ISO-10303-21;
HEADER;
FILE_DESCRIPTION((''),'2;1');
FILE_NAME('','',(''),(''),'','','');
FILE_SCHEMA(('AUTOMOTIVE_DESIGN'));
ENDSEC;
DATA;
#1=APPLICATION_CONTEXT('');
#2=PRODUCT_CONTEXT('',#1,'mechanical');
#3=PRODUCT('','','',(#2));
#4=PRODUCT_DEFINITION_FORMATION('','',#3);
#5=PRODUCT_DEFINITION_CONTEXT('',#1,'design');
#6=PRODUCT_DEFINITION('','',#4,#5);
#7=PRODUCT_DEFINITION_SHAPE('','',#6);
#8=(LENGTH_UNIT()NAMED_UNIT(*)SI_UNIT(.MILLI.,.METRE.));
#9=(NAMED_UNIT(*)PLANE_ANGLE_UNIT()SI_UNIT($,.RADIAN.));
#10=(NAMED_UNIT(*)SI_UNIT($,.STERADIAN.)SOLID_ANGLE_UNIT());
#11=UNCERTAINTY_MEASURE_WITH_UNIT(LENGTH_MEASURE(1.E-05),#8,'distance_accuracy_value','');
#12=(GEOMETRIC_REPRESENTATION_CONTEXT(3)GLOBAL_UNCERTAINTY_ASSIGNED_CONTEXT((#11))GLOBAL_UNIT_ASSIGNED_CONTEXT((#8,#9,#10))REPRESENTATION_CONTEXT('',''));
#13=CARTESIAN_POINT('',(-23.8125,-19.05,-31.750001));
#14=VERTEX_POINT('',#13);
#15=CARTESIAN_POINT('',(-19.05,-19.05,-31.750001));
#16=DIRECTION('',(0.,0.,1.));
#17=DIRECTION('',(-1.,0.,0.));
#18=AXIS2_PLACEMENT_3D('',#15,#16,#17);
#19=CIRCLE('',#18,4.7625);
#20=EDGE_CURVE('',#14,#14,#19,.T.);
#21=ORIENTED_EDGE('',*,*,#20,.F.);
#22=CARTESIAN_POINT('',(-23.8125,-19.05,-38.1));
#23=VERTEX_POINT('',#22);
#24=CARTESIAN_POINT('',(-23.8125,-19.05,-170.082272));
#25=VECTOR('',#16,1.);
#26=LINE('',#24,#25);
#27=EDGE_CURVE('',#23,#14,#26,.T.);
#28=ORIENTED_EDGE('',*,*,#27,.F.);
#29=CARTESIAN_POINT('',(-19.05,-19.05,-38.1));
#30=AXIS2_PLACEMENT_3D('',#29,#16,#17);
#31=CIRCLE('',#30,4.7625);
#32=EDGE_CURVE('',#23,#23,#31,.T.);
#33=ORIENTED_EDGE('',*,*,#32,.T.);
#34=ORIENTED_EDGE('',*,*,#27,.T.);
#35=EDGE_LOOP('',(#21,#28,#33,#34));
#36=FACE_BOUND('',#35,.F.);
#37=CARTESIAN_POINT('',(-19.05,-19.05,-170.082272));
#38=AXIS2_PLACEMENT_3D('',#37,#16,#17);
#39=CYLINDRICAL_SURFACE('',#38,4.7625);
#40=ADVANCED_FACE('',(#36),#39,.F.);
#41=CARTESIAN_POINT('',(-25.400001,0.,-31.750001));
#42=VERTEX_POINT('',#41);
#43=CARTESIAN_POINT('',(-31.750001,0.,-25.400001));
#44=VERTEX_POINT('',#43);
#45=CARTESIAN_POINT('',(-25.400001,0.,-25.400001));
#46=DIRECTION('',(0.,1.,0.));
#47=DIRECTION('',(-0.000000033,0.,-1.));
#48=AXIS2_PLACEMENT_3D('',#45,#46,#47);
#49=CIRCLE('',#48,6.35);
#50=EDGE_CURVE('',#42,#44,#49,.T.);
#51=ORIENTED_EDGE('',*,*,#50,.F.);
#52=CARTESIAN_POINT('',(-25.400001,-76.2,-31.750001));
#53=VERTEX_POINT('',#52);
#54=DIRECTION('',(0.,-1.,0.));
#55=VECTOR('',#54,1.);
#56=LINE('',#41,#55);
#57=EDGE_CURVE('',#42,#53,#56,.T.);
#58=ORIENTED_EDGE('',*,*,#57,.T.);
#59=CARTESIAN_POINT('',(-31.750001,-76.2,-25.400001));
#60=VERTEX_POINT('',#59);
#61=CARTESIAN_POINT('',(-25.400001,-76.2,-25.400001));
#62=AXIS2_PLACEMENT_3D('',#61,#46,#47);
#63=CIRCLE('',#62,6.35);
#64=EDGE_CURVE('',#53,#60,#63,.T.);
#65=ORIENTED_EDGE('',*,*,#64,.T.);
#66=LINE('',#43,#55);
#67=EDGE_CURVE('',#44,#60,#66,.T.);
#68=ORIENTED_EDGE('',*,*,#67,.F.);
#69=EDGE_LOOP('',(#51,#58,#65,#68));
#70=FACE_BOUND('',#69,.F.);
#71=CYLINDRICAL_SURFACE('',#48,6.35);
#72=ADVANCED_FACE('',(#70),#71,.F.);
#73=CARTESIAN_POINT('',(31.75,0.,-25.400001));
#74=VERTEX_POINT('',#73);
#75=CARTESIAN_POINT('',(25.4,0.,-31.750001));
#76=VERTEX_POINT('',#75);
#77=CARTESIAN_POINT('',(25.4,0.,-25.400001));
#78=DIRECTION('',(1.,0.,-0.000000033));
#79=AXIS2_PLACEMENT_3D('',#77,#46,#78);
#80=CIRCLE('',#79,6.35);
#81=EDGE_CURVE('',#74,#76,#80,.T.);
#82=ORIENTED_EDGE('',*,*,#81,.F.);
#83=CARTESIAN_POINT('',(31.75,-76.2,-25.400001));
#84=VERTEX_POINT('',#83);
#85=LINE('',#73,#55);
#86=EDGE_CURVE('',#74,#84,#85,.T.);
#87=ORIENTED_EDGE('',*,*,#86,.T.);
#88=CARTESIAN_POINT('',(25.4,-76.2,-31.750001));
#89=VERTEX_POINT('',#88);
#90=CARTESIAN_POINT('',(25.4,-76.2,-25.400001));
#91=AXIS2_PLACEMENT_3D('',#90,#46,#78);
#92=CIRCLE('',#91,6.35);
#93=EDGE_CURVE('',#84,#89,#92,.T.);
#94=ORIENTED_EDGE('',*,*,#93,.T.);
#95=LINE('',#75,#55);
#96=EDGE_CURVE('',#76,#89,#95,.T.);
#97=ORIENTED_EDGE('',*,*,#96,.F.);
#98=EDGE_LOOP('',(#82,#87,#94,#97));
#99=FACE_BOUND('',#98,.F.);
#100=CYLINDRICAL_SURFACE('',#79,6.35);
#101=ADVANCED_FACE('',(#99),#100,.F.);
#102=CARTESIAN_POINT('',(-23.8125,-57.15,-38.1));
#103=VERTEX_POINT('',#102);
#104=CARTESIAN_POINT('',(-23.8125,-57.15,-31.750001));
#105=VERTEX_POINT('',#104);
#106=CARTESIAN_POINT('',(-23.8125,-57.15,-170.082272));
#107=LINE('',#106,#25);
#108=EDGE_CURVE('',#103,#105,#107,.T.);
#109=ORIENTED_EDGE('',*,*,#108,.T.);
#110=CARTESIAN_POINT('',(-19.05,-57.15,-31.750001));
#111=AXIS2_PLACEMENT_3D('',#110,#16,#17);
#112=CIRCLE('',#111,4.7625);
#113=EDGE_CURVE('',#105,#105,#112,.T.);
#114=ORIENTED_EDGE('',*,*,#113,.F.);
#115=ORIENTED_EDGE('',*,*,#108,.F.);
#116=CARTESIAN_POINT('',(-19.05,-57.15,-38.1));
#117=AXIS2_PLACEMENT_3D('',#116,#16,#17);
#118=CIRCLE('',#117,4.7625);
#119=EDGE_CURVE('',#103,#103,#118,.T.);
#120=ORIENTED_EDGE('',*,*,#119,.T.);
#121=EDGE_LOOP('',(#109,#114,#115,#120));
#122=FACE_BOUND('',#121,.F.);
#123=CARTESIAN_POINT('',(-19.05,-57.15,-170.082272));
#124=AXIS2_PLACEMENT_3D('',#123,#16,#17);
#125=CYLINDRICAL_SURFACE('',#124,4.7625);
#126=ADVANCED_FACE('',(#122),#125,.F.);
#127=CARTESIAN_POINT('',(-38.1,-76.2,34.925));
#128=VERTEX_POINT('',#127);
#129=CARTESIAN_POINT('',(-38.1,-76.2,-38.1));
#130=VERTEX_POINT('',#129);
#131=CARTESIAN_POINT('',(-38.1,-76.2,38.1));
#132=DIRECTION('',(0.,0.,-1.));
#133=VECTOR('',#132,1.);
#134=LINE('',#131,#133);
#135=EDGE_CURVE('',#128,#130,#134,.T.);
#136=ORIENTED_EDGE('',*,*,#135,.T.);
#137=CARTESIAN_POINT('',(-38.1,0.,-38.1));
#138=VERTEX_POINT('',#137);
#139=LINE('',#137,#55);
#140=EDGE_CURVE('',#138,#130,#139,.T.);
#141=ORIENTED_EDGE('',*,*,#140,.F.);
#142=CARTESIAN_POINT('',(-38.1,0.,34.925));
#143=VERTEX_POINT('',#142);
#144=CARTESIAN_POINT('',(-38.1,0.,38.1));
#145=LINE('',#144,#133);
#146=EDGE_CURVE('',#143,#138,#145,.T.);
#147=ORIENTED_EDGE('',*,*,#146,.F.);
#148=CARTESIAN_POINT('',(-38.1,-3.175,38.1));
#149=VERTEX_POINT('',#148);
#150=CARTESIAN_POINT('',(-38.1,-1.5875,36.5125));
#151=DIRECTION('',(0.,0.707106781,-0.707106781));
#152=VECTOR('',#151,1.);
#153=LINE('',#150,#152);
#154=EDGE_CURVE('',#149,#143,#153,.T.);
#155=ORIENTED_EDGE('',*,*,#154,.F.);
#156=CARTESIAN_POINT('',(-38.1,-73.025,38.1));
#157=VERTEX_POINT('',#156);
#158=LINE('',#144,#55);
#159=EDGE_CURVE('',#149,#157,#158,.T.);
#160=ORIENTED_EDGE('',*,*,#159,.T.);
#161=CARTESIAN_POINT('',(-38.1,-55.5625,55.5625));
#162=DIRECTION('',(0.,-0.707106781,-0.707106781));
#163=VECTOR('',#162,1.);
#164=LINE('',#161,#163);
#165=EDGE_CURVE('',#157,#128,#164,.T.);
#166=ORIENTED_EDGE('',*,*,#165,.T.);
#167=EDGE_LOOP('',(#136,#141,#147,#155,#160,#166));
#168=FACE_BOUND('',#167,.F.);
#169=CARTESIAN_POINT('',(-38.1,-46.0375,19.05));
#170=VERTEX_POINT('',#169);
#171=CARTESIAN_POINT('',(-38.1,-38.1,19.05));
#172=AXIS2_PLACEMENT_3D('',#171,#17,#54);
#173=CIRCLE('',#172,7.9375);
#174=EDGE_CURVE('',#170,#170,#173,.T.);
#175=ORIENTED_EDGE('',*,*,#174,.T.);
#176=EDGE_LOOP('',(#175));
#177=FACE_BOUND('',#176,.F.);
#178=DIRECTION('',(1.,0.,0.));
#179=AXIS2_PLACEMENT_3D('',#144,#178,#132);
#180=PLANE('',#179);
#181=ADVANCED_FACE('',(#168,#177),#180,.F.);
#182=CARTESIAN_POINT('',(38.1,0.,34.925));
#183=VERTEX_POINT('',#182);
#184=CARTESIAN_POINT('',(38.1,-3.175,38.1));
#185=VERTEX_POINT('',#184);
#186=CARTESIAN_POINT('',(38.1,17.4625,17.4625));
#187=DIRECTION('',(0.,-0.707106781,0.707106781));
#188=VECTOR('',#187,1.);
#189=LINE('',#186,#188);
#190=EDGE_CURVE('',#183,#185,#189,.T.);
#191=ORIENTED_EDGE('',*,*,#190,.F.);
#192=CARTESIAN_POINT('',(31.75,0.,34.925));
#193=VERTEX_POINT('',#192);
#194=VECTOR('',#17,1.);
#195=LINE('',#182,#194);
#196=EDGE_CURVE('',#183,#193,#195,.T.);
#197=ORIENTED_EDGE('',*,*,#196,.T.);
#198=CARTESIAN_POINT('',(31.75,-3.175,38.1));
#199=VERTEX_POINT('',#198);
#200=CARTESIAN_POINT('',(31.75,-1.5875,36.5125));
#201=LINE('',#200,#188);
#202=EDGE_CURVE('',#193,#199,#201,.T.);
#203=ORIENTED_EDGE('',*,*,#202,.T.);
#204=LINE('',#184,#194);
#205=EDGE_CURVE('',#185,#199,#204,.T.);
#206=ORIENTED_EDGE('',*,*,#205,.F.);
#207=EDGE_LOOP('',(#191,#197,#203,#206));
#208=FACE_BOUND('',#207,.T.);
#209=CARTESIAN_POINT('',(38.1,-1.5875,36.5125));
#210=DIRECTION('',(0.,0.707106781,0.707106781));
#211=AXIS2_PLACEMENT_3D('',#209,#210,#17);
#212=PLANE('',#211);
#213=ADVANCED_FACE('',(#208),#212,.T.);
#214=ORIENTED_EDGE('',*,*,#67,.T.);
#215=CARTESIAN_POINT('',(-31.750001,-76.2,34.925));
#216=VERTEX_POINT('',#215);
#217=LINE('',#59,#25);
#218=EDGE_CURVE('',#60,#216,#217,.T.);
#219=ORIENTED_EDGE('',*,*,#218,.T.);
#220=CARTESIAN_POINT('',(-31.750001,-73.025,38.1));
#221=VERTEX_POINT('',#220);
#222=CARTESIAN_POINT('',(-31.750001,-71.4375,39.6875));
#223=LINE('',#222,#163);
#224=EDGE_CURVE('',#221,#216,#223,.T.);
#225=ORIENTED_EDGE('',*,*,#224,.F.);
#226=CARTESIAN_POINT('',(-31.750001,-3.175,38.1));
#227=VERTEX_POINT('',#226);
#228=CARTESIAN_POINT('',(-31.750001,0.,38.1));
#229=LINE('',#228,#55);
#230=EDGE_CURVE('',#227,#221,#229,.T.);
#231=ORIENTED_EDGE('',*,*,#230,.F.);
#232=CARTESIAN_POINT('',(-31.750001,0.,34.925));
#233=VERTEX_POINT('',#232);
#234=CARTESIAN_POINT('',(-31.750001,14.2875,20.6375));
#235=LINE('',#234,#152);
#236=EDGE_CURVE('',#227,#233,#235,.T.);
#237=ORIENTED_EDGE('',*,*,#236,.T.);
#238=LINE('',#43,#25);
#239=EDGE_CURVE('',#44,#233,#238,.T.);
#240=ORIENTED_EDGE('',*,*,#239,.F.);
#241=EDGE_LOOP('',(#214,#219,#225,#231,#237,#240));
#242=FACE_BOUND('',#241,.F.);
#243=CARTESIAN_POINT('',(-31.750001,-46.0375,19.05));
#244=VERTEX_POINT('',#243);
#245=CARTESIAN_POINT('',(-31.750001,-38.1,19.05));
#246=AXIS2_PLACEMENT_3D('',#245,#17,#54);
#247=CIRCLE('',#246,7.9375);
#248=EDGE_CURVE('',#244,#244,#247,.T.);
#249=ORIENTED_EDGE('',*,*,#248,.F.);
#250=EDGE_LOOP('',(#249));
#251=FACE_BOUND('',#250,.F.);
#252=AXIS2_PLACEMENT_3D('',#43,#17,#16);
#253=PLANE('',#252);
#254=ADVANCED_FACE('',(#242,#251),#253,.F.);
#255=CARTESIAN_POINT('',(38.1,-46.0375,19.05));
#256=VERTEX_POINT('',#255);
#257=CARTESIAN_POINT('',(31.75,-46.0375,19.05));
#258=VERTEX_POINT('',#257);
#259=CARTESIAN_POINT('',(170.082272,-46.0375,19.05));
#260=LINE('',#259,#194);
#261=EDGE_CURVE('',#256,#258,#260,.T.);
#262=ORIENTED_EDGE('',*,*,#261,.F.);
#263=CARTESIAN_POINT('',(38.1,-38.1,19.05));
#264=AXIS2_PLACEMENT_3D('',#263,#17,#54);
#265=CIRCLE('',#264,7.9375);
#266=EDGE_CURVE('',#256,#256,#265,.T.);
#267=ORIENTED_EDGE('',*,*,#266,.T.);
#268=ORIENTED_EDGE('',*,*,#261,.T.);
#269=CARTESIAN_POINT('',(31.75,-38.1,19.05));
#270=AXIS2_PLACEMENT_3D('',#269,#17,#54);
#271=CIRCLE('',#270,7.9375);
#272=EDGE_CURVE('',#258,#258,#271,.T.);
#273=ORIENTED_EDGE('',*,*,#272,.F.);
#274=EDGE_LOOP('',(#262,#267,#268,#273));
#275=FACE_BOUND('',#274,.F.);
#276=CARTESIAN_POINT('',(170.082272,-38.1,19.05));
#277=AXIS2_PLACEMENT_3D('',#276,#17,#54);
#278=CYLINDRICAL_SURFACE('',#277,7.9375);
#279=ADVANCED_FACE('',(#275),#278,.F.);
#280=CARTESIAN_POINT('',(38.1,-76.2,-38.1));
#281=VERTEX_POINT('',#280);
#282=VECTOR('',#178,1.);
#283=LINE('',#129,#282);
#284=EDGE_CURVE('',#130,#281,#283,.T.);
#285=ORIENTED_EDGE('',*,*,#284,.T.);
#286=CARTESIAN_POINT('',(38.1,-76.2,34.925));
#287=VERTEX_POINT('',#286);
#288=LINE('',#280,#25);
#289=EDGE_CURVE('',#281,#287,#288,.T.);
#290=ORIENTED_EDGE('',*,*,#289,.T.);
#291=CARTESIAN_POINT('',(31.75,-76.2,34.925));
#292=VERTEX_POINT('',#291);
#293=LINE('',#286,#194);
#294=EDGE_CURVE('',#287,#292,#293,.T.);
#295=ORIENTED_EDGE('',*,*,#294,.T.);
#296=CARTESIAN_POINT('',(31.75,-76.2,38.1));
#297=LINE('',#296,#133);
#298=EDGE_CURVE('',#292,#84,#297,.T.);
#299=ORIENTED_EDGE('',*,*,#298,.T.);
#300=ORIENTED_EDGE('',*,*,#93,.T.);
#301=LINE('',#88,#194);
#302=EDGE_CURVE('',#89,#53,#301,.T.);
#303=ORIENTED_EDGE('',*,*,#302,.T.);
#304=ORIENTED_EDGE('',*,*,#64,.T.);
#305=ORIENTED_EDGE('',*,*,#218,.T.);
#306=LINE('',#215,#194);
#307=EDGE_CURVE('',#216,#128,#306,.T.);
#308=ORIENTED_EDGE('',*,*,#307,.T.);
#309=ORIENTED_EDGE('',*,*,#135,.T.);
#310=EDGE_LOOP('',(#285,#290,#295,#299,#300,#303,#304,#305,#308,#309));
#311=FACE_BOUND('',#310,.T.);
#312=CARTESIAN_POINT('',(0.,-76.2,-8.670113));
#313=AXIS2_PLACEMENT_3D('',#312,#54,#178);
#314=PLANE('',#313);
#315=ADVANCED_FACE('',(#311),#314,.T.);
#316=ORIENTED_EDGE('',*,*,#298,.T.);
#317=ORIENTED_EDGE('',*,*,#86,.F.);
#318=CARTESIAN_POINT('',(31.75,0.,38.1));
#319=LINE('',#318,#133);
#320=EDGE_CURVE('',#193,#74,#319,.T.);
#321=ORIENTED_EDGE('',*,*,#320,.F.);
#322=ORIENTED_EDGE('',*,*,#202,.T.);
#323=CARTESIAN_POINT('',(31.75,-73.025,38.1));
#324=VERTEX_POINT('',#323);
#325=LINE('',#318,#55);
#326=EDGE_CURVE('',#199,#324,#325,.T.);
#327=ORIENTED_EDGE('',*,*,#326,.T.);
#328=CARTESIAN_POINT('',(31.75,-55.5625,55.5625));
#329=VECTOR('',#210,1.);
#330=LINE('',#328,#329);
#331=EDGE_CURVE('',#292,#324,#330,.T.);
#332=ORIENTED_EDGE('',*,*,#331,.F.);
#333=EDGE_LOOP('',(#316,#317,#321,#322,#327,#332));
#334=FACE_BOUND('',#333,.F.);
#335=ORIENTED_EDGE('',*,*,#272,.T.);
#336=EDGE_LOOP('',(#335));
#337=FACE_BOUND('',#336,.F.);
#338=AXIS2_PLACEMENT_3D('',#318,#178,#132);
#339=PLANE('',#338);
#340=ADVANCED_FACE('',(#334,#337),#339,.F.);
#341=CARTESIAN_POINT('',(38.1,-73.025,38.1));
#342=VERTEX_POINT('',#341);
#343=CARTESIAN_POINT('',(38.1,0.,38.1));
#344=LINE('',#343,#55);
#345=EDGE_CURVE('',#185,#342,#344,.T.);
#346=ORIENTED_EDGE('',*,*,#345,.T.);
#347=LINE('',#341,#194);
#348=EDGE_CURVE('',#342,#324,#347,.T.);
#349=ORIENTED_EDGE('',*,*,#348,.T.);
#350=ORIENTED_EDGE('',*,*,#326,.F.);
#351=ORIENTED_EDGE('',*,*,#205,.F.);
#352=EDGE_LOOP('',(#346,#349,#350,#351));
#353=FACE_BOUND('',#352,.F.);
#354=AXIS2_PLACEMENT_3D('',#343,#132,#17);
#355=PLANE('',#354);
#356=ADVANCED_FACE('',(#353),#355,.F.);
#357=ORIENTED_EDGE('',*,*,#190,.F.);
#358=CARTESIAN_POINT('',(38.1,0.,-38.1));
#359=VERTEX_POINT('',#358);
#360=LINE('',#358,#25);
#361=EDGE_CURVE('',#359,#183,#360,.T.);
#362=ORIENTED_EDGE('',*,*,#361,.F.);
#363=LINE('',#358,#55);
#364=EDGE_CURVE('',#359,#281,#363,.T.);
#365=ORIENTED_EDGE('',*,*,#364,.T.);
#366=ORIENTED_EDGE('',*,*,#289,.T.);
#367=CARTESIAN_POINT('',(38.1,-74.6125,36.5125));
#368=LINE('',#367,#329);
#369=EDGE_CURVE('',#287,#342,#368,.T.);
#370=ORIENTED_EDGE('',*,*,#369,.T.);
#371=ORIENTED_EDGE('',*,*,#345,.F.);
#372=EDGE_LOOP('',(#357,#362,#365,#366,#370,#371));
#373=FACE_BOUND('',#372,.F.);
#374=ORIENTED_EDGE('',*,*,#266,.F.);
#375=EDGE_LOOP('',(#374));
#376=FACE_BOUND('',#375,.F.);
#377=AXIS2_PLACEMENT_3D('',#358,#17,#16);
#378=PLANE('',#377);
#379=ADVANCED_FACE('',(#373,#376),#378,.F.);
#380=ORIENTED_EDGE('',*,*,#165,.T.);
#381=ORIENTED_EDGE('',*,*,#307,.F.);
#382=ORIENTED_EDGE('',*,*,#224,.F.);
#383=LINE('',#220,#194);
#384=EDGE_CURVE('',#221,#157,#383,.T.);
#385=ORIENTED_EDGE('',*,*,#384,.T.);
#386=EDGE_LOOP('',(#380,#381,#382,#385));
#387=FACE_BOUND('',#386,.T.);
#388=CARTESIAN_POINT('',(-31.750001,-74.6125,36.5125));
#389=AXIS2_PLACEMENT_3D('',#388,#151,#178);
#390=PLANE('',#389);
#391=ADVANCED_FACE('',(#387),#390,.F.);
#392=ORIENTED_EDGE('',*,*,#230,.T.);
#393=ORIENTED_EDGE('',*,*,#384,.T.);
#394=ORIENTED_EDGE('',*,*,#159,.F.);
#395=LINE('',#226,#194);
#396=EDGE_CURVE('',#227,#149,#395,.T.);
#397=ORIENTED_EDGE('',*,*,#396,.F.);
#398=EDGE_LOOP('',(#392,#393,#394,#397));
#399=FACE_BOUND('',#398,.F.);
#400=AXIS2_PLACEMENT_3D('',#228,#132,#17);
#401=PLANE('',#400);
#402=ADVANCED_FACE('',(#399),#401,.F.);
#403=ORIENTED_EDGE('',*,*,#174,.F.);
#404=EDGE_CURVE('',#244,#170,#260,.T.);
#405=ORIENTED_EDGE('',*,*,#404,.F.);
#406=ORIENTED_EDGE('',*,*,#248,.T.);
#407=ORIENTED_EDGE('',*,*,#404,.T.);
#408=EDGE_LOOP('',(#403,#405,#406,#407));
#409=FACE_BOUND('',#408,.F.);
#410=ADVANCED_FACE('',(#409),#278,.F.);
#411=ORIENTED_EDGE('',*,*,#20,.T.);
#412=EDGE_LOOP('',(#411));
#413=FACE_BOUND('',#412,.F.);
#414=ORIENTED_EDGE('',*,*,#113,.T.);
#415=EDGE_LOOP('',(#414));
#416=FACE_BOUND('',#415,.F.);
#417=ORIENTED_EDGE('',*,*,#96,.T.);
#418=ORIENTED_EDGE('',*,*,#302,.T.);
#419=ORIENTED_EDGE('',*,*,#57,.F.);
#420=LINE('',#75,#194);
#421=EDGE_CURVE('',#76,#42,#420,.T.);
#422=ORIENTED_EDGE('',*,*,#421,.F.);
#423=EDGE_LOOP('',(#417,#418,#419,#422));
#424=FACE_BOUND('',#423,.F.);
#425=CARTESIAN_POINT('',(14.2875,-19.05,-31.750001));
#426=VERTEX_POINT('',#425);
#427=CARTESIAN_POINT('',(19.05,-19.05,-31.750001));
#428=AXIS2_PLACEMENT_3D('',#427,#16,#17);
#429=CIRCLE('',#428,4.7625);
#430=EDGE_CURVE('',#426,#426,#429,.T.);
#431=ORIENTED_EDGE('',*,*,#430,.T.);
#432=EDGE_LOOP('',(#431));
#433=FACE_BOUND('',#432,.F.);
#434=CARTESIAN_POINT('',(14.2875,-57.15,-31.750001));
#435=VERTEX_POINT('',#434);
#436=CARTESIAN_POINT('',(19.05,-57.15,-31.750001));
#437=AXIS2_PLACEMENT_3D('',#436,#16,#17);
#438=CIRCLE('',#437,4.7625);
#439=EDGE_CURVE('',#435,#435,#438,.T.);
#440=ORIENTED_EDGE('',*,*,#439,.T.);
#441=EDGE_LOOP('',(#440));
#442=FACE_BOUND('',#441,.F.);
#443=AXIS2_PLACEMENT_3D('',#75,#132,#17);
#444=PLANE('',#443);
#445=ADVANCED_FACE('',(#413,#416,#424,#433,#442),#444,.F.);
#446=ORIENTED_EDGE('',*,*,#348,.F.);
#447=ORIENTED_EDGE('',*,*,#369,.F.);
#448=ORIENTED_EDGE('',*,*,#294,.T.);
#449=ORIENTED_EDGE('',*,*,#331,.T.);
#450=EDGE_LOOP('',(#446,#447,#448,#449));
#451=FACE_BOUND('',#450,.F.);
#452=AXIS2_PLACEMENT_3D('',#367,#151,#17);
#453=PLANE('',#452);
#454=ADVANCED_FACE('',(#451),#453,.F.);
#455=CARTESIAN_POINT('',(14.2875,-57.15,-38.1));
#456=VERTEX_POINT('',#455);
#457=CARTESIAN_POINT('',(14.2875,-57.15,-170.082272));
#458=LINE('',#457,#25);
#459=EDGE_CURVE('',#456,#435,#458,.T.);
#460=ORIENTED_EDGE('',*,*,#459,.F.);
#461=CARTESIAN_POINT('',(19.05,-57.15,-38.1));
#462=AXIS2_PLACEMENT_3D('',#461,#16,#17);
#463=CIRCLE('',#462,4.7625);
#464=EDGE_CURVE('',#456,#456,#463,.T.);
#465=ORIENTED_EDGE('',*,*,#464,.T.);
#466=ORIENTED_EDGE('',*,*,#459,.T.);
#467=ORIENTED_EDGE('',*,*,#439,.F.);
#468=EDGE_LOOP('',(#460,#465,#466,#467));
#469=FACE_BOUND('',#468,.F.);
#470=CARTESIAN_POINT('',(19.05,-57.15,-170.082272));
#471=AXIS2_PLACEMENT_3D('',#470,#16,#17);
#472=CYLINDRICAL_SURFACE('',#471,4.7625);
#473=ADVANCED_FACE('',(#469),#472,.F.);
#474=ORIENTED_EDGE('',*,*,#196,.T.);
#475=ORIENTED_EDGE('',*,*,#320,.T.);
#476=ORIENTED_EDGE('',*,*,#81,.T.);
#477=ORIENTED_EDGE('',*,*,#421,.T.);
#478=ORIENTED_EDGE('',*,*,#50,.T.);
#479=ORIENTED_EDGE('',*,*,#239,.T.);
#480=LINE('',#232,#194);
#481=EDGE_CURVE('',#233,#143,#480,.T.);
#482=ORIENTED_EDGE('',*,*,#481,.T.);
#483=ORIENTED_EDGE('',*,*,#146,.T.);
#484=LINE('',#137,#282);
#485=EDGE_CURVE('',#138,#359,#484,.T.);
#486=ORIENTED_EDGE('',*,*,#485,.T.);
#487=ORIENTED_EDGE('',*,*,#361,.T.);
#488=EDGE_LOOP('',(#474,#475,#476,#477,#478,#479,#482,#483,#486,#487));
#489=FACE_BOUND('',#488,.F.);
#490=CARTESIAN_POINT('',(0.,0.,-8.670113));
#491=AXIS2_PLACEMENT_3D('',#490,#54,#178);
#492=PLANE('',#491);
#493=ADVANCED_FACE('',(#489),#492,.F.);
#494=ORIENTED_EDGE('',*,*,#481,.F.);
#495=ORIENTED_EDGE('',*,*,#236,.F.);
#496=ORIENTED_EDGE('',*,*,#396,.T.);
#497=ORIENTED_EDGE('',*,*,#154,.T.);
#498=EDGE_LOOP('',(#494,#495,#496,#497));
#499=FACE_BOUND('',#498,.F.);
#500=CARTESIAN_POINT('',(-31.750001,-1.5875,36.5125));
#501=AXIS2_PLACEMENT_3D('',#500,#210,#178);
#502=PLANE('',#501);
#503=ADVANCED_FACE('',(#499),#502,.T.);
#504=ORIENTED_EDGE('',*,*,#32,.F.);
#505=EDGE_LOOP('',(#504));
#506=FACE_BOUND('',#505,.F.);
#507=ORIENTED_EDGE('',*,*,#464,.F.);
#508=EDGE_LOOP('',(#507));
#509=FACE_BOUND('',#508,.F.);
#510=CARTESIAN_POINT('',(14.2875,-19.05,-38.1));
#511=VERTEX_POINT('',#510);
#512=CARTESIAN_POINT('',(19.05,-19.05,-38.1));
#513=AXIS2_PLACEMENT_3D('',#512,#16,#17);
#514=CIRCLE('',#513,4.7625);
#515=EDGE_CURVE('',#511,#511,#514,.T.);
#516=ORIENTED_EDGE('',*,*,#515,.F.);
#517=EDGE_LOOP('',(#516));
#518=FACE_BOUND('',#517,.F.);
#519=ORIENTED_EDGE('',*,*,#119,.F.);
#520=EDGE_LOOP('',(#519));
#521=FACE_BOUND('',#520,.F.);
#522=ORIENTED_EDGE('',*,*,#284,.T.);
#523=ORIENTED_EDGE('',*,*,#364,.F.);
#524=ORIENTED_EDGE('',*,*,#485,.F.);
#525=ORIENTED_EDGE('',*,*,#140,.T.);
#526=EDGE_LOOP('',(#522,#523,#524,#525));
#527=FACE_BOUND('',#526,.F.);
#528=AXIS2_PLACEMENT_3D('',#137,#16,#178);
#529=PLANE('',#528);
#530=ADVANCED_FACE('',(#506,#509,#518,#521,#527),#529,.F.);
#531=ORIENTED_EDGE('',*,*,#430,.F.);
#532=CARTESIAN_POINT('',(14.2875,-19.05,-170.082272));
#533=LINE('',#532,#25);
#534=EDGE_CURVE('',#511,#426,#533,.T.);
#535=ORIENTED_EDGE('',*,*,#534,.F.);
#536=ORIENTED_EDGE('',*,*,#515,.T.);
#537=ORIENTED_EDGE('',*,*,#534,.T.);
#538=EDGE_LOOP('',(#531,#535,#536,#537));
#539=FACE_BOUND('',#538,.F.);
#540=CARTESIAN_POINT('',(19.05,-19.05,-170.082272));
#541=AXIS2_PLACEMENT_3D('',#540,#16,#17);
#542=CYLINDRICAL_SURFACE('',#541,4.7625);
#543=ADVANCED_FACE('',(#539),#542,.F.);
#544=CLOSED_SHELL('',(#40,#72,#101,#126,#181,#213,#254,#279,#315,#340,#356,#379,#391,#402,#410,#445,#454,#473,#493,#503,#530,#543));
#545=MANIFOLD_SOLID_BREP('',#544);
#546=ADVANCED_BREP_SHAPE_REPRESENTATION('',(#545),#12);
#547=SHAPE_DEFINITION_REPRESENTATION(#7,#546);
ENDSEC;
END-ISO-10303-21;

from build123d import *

# Parameters (mm, degrees)
F1_DEPTH = 76.2
F3_D     = 15.875
F4_SIZE  = 3.175
F6_D     = 9.525


with BuildPart() as f1:
    # F0 (on Front) → F1 (new body)
    with BuildSketch(Plane.XZ):
        with BuildLine():
            Line((-31.750001, 38.1), (-38.1, 38.1))
            Line((-38.1, 38.1), (-38.1, -38.1))
            Line((-38.1, -38.1), (38.1, -38.1))
            Line((38.1, -38.1), (38.1, 38.1))
            Line((38.1, 38.1), (31.75, 38.1))
            Line((31.75, 38.1), (31.75, -25.400001))
            ThreePointArc((31.75, -25.400001), (29.890128, -29.890129), (25.4, -31.750001))
            Line((25.4, -31.750001), (-25.400001, -31.750001))
            ThreePointArc((-25.400001, -31.750001), (-29.890129, -29.890129), (-31.750001, -25.400001))
            Line((-31.750001, -25.400001), (-31.750001, 38.1))
        make_face()
    extrude(amount=F1_DEPTH)

    # F3 (through all)
    with Locations(Plane.YZ.offset(38.1)):
        with Locations((-38.1, 19.05)):
            Hole(F3_D / 2)

    # F4
    f4_edges = [f1.edges().sort_by_distance(p)[0] for p in [
        (-34.925001, 0, 38.1),
        (34.925, 0, 38.1),
        (34.925, -76.2, 38.1),
        (-34.925001, -76.2, 38.1),
    ]]
    chamfer(f4_edges, length=F4_SIZE)

    # F6 (through all)
    with Locations(Plane(origin=(0, 0, -38.1), x_dir=(1, 0, 0), z_dir=(0, 0, -1))):
        with Locations((-19.05, 57.15), (19.05, 57.15), (-19.05, 19.05), (19.05, 19.05)):
            Hole(F6_D / 2)


solid = f1.part
